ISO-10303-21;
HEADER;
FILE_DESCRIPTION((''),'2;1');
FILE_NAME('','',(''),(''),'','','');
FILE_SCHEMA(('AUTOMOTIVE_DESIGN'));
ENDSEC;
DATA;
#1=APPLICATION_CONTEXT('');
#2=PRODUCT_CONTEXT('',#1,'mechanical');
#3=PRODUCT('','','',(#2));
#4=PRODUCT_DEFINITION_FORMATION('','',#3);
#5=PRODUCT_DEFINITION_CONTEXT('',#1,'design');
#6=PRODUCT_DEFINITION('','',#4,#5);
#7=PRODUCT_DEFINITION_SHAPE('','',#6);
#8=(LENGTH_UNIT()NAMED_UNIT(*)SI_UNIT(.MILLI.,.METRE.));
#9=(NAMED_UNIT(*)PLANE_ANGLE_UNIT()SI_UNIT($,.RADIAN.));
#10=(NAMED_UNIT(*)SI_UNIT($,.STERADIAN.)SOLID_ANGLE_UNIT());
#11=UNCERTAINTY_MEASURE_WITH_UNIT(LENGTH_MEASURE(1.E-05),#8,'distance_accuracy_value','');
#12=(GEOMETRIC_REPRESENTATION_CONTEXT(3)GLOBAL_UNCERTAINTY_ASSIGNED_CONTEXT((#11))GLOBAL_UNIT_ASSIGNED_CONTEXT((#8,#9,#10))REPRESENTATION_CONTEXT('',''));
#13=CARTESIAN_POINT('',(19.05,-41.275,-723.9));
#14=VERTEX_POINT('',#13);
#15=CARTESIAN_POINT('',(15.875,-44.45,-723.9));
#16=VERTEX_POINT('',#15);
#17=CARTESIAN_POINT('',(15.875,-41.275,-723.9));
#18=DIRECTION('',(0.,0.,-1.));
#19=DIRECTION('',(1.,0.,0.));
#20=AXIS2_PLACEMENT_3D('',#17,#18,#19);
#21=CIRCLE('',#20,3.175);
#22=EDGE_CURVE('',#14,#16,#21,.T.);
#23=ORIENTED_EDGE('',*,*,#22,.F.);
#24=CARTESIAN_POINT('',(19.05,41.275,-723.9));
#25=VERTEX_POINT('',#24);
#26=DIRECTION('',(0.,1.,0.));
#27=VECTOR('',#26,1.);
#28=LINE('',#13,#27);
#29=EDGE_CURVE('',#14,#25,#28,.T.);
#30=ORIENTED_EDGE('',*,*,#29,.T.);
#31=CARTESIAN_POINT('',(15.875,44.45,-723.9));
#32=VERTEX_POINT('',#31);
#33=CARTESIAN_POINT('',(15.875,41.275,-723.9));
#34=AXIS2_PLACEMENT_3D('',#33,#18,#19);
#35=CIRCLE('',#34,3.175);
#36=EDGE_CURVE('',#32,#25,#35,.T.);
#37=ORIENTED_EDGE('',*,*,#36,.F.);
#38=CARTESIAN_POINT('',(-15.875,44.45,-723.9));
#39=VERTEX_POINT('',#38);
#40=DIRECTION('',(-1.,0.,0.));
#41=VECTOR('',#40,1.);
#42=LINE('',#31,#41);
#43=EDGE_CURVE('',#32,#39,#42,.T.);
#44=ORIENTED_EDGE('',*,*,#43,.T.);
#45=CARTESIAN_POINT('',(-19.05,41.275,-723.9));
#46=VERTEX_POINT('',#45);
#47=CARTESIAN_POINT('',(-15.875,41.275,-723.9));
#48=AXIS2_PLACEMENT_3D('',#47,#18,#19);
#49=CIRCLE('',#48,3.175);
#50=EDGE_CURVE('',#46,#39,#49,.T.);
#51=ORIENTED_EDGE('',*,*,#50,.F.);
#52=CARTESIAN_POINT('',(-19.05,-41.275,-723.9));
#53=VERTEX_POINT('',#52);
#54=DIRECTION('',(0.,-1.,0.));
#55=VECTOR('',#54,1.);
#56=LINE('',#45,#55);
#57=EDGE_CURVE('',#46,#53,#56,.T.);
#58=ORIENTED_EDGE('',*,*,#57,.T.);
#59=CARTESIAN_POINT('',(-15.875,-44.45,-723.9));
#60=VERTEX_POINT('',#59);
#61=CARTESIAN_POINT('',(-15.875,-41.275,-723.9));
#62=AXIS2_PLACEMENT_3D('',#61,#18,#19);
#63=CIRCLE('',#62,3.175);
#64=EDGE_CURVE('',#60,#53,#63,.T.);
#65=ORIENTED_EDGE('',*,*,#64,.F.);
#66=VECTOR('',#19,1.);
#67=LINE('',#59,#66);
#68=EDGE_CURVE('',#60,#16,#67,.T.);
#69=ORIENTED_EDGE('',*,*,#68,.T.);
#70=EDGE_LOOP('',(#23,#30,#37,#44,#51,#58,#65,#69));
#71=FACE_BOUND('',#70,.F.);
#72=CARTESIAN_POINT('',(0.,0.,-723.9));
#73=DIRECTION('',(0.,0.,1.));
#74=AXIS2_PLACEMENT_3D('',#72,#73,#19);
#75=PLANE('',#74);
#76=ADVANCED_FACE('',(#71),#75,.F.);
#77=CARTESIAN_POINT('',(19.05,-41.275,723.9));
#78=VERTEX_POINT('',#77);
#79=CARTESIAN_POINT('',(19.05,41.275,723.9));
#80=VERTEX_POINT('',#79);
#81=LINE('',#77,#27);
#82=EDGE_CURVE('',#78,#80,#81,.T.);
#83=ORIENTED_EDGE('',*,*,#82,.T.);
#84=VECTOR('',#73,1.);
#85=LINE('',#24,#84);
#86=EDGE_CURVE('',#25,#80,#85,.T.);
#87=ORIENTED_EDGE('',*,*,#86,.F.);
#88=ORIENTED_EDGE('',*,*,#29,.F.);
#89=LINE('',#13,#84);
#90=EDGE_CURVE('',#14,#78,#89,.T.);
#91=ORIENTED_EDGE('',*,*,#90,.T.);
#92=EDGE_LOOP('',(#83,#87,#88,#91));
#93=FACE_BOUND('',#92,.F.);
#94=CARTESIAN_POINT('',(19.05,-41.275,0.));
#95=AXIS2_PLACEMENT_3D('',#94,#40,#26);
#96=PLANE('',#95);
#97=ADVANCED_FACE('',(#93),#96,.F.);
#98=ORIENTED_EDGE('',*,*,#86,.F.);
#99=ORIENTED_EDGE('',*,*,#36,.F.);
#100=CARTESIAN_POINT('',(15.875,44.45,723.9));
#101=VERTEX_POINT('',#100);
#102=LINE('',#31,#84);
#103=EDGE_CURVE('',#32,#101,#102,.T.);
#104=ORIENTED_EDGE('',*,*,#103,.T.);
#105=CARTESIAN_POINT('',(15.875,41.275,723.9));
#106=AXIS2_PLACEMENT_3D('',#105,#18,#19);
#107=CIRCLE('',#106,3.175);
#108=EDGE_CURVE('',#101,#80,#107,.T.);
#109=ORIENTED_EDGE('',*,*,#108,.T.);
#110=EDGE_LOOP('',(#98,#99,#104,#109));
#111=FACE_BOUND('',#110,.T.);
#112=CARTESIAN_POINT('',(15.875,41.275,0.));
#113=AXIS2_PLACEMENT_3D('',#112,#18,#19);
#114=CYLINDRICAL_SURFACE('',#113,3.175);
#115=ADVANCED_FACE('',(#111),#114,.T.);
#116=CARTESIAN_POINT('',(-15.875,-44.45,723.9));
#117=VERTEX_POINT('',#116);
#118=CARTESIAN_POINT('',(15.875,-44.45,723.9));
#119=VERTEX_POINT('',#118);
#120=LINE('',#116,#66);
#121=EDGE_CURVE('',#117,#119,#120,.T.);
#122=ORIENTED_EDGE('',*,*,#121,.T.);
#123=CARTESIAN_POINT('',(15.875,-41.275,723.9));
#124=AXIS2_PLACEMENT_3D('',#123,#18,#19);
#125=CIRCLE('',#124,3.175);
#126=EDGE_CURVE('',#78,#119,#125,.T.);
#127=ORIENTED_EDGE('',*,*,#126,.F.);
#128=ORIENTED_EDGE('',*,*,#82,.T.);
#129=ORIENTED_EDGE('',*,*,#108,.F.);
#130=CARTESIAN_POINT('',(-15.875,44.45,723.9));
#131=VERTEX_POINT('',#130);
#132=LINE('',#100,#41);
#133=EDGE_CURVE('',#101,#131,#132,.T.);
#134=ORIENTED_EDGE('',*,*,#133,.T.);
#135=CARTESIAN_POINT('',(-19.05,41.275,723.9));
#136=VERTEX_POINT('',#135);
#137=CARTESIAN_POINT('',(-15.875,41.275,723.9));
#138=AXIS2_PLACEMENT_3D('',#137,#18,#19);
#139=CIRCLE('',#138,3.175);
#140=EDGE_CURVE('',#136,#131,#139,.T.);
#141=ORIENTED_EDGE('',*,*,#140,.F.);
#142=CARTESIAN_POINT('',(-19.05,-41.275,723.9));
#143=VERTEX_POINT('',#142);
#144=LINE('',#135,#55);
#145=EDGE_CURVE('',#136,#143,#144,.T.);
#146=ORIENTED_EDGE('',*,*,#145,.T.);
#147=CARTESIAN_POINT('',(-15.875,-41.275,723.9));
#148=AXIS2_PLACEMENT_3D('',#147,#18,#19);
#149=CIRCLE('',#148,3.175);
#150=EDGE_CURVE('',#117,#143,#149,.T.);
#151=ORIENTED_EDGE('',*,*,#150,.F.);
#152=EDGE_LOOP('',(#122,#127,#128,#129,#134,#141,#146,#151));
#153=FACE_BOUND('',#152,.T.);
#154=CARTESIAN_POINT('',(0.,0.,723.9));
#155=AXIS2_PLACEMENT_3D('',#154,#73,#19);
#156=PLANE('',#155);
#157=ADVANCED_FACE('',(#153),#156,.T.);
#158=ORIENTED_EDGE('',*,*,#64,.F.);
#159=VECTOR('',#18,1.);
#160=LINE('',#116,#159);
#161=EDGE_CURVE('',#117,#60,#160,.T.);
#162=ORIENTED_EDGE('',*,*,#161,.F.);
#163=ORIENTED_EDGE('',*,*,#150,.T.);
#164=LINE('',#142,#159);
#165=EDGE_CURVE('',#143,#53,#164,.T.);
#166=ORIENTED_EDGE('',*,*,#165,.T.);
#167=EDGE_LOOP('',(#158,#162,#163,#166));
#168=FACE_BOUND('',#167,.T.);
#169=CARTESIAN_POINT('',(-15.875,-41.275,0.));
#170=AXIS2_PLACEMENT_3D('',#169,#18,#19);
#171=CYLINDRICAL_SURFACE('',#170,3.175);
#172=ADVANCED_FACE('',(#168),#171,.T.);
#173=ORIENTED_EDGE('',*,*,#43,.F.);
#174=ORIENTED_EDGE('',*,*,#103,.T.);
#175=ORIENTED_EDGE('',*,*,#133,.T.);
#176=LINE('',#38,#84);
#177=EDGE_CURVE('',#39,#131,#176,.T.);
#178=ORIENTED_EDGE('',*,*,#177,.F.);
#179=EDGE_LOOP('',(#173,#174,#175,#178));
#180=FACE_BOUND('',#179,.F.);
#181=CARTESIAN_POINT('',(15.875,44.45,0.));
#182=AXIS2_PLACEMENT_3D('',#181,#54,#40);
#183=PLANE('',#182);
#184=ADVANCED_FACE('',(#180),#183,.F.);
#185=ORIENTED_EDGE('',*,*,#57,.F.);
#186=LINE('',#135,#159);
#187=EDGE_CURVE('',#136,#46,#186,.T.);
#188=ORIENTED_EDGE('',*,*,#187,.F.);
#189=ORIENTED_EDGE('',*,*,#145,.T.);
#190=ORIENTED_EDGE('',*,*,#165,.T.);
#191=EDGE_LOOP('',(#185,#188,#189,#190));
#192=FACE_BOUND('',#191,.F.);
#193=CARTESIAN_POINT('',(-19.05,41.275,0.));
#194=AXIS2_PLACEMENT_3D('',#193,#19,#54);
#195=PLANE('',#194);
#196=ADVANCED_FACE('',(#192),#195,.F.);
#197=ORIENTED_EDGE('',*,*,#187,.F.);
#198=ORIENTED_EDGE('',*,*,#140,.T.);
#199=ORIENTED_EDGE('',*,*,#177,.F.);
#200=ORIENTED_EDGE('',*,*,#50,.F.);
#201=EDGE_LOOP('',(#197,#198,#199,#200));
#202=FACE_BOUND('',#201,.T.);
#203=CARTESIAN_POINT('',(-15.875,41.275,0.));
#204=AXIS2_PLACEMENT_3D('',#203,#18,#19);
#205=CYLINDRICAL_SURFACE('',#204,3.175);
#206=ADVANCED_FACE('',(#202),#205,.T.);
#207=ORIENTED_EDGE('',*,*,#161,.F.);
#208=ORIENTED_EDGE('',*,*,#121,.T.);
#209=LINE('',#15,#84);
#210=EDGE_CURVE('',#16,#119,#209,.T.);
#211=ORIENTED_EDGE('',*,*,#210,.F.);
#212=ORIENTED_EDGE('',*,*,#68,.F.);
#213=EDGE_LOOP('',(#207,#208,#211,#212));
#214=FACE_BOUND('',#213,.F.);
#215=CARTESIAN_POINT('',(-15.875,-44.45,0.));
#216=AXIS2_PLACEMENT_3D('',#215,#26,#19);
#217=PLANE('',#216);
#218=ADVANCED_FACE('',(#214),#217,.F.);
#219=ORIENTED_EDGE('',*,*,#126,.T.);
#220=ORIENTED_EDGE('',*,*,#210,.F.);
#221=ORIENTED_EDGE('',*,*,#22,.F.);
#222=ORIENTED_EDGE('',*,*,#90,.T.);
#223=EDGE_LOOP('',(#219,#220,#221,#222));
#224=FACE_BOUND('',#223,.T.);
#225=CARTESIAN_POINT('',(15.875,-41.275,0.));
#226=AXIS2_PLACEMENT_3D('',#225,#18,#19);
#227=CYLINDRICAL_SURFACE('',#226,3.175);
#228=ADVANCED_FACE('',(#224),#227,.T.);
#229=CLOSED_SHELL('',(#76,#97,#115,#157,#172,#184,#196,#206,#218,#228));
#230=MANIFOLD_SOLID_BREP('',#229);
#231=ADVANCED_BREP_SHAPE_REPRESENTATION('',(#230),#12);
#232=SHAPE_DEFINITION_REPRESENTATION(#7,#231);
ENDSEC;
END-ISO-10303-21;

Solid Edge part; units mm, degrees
sketch "Sketch1" plane through (0, 0, 0) normal (0, 0, 1) x (1, 0, 0)
  line L0 (-15.875, -44.45) -> (15.875, -44.45)
  arc A0 (19.05, -41.275) -> (15.875, -44.45) centre (15.875, -41.275) cw
  line L1 (19.05, -41.275) -> (19.05, 41.275)
  arc A1 (15.875, 44.45) -> (19.05, 41.275) centre (15.875, 41.275) cw
  line L2 (15.875, 44.45) -> (-15.875, 44.45)
  arc A2 (-19.05, 41.275) -> (-15.875, 44.45) centre (-15.875, 41.275) cw
  line L3 (-19.05, 41.275) -> (-19.05, -41.275)
  arc A3 (-15.875, -44.45) -> (-19.05, -41.275) centre (-15.875, -41.275) cw
  dimension "D1" = 88.9
  dimension "D2" = 38.1
  dimension "D3" = 3.175
extrude "Protrusion1" add sketch "Sketch1" along normal mid plane 1447.8
properties material "Wood, Mahogany"
